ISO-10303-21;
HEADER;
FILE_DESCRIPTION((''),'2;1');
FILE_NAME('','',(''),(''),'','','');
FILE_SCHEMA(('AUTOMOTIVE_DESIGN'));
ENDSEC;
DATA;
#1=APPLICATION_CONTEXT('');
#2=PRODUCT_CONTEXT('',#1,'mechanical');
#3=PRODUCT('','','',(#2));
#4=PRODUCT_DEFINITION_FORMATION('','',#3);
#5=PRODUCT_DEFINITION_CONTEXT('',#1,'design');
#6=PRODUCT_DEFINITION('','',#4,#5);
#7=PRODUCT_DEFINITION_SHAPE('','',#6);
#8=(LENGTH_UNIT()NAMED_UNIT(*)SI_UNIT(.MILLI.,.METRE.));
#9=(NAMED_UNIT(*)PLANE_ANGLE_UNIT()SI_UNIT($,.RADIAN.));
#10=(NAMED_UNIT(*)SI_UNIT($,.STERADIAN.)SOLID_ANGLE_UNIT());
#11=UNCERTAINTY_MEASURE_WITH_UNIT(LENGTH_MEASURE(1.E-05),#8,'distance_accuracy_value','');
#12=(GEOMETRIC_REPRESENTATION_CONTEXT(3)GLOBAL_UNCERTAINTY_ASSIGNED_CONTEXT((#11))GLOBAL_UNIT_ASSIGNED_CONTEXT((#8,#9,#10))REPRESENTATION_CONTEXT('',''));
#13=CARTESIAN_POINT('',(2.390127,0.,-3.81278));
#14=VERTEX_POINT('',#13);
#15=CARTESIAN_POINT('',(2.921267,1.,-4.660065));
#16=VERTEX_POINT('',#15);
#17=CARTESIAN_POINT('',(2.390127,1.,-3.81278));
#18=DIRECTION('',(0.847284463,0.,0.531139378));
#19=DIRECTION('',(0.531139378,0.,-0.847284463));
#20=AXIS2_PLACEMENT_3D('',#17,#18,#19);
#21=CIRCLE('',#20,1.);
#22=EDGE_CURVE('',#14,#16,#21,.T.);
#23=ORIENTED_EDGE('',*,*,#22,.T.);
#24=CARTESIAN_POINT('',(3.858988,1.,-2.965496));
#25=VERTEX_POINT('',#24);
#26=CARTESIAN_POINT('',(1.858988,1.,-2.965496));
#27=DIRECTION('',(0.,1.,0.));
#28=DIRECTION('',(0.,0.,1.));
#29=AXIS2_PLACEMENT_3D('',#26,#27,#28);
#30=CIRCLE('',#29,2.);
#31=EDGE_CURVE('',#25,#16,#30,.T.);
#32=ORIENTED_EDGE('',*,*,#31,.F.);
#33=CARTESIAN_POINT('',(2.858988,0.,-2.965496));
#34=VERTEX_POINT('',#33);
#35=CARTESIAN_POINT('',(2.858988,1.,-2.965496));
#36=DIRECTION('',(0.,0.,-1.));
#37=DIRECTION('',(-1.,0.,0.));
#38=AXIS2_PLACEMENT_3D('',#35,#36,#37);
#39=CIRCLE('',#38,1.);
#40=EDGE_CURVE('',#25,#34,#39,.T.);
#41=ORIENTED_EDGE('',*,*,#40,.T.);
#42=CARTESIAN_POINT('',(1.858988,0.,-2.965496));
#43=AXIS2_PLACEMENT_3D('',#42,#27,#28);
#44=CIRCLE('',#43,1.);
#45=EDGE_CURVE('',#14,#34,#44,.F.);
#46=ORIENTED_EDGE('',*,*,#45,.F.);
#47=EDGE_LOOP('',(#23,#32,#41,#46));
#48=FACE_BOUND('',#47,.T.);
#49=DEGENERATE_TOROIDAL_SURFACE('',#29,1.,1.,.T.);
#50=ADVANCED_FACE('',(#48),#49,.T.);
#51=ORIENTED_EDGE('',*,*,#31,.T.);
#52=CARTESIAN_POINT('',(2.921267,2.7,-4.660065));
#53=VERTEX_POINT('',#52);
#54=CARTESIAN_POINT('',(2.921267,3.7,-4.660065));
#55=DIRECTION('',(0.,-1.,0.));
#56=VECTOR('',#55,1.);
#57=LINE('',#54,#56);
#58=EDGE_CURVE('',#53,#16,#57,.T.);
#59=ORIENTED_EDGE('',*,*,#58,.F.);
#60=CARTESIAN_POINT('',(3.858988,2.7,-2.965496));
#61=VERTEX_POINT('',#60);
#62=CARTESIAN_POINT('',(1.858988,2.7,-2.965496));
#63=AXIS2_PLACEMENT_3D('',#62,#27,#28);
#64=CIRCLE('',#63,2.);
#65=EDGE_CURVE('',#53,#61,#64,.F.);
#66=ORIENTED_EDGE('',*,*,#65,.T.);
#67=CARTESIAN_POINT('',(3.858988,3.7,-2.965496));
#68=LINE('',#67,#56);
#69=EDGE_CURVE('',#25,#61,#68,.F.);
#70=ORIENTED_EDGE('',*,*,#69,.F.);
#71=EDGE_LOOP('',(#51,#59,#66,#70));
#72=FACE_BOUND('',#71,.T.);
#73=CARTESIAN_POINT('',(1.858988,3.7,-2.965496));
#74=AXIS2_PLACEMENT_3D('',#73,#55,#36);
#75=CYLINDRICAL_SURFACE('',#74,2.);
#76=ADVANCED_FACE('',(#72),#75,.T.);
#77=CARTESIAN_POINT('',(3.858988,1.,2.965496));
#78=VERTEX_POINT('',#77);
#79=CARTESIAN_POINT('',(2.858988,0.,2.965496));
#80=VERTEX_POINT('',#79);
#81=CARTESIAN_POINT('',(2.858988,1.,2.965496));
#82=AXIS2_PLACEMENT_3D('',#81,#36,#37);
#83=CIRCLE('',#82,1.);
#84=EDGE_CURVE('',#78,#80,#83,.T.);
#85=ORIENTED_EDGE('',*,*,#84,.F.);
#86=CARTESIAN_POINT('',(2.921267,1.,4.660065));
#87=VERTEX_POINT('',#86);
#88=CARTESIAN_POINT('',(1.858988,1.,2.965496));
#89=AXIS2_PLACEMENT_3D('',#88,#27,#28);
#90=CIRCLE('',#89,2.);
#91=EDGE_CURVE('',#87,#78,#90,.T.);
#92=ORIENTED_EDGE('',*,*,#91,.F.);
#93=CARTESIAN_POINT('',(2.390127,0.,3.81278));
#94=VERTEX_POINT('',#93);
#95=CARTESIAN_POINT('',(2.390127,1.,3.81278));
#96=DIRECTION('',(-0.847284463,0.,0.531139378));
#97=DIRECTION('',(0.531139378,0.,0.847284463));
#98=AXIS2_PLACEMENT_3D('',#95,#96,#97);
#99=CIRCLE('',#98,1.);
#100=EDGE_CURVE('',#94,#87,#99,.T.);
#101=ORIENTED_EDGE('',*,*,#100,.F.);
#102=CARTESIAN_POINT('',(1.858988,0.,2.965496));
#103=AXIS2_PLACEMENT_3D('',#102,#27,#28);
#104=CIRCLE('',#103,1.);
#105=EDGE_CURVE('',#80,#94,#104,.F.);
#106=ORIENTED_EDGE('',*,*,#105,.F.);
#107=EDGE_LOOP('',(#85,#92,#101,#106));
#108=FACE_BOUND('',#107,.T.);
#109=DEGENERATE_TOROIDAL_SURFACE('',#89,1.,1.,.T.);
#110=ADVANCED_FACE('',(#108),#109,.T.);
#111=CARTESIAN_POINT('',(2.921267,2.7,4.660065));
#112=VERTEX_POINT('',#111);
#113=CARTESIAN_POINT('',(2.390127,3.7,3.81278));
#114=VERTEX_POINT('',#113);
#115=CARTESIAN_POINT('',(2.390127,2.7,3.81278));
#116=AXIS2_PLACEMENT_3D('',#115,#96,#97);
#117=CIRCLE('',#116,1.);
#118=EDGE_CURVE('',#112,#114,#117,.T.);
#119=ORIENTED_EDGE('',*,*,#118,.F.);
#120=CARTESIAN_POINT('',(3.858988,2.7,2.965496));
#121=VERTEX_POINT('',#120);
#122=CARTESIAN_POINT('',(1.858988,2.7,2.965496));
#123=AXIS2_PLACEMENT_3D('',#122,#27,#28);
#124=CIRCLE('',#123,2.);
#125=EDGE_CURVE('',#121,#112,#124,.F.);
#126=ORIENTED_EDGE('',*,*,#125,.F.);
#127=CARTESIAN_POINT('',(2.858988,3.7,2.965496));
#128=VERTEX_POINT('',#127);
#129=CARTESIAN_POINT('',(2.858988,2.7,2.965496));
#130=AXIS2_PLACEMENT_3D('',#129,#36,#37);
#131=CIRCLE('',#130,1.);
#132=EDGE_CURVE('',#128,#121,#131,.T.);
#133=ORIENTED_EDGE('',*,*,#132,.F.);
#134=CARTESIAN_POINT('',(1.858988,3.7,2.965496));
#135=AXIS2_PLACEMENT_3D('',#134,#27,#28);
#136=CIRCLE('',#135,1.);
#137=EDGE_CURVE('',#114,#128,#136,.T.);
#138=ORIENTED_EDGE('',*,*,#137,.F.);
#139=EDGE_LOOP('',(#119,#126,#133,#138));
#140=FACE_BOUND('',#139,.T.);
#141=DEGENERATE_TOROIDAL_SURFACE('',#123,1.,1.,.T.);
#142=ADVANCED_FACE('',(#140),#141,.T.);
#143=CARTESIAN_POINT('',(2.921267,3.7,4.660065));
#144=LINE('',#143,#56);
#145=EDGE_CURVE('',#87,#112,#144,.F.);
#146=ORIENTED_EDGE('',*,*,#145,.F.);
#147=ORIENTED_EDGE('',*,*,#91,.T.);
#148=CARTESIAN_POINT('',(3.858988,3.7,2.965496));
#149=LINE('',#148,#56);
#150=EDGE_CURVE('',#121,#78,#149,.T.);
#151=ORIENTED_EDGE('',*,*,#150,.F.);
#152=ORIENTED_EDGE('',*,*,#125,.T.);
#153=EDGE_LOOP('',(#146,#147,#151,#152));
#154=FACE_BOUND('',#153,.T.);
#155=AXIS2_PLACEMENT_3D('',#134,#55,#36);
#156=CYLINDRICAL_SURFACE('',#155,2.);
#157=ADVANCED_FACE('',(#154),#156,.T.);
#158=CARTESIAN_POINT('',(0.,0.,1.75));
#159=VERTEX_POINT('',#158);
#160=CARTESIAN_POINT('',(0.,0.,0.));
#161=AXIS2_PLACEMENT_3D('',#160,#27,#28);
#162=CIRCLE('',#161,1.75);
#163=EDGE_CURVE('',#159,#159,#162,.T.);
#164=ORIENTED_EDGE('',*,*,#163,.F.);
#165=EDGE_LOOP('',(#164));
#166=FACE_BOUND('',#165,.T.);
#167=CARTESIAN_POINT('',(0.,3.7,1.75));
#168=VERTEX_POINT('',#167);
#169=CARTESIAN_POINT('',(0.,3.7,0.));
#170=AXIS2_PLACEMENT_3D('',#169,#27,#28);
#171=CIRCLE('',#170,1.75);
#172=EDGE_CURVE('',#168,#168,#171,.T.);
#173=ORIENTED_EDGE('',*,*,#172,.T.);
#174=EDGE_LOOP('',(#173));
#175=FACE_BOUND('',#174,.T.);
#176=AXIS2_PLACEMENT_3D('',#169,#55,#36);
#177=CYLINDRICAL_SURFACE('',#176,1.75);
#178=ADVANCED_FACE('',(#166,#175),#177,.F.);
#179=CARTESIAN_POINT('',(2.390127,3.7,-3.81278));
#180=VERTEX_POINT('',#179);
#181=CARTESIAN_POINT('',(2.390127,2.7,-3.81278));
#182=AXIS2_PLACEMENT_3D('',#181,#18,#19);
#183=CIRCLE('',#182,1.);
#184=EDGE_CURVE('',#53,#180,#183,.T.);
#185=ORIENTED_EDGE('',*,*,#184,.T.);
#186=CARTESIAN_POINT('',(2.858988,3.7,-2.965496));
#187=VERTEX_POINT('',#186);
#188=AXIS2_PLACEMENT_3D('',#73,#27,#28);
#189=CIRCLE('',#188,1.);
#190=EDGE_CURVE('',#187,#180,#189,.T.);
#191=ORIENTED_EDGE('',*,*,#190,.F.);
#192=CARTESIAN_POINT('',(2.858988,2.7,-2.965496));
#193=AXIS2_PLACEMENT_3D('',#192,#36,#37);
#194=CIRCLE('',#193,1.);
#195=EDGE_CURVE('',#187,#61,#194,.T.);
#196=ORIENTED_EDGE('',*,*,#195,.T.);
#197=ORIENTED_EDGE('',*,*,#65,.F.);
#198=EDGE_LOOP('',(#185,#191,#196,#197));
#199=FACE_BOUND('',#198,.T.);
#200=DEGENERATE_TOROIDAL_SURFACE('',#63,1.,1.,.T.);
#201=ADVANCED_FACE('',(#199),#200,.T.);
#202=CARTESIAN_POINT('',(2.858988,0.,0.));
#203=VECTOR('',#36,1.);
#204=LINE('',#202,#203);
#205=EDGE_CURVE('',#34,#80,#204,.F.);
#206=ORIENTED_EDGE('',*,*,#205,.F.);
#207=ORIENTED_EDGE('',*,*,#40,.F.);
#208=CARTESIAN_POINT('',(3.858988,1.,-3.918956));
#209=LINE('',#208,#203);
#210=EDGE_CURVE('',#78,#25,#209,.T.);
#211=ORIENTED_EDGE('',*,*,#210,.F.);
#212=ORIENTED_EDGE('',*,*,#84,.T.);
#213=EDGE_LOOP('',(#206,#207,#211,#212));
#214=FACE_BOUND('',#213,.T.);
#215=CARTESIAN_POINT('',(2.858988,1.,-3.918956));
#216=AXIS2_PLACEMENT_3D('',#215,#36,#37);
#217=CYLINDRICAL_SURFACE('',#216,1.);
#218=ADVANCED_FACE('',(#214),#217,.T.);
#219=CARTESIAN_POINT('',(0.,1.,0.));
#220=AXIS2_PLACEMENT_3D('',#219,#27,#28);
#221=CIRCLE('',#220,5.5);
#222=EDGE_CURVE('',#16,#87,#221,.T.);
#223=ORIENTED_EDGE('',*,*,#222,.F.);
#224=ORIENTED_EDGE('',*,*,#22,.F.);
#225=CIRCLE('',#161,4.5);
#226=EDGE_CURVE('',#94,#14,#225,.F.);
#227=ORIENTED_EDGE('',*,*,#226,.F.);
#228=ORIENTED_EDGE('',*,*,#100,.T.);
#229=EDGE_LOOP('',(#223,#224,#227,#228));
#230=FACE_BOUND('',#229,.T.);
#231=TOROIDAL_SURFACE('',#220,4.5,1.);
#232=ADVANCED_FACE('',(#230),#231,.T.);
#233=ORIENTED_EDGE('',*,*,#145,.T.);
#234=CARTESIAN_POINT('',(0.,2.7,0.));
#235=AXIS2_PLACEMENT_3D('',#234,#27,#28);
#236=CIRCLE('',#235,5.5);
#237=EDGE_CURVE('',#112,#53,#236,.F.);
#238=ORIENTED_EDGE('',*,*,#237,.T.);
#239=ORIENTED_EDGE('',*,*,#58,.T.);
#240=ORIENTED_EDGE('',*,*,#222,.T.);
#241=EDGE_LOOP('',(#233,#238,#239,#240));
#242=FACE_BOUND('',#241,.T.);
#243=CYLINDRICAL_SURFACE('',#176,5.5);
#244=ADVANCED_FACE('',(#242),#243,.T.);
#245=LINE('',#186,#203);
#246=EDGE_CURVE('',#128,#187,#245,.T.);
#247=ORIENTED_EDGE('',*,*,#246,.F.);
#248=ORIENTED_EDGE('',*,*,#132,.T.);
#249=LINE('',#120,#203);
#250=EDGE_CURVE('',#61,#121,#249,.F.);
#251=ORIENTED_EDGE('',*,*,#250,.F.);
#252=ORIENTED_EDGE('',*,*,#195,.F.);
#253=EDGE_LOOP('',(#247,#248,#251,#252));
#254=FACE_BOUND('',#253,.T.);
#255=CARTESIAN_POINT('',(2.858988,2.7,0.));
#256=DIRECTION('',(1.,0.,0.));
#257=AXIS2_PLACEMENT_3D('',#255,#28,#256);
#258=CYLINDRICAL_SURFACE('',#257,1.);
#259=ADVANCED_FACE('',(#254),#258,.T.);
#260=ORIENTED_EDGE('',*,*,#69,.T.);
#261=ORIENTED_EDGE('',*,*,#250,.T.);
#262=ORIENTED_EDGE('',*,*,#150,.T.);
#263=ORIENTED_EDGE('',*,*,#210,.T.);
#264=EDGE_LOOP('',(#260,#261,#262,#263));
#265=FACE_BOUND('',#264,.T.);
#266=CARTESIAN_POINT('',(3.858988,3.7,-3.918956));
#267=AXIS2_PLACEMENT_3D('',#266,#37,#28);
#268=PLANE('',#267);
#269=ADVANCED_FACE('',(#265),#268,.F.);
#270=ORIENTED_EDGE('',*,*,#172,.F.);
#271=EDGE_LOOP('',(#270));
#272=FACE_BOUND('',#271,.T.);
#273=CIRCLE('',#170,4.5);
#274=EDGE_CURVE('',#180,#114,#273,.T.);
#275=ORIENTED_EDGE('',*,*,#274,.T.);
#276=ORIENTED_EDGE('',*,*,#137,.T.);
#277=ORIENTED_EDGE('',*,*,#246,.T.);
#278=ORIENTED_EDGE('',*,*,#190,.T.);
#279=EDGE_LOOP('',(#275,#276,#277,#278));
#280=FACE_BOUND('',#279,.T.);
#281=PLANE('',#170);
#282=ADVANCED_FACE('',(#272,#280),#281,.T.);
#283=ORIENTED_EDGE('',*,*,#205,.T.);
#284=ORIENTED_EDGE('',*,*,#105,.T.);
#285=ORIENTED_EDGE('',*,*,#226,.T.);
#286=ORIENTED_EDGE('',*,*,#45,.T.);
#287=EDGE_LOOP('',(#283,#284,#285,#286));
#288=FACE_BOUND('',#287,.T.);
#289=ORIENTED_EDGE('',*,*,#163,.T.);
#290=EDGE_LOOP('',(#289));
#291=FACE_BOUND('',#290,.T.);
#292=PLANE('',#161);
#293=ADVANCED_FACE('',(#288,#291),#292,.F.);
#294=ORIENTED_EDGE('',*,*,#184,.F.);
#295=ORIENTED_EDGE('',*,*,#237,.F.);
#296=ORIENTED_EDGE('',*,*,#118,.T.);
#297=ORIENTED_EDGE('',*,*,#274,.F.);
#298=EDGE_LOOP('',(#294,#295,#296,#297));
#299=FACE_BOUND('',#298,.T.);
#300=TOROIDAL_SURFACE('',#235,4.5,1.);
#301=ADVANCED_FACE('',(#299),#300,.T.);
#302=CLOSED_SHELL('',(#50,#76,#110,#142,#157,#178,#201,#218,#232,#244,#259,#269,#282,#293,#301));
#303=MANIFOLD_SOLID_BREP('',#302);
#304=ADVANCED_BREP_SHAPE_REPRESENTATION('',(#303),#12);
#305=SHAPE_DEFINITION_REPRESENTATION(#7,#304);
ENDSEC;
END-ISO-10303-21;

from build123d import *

# Parameters (mm, degrees)
CROQUIS1_R              = 1.75
SALIENTE_EXTRUIR1_DEPTH = 3.7
REDONDEO1_R             = 2
REDONDEO2_R             = 1


with BuildPart() as part:
    # Croquis1 → Saliente-Extruir1 (new body)
    with BuildSketch(Plane(origin=(0, 0, 0), x_dir=(1, 0, 0), z_dir=(0, 1, 0))):
        with BuildLine():
            Line((3.858987824, 3.918955597), (3.858987824, -3.918955597))
            ThreePointArc((3.858987824, -3.918955597), (-5.5, 0), (3.858987824, 3.918955597))
        make_face()
        with Locations(Location((0, 0, 0), (0, 0, 270))):
            Circle(CROQUIS1_R, mode=Mode.SUBTRACT)
    extrude(amount=SALIENTE_EXTRUIR1_DEPTH)

    # Redondeo1
    redondeo1_edges = [part.edges().sort_by_distance(p)[0] for p in [
        (3.858987824, 1.85, -3.918955597),
        (3.858987824, 1.85, 3.918955597),
    ]]
    fillet(redondeo1_edges, radius=REDONDEO1_R)

    # Redondeo2
    redondeo2_edges = [part.edges().sort_by_distance(p)[0] for p in [
        (3.858987824, 0, 0),
        (3.858987824, 3.7, 0),
        (-5.5, 0, 0),
        (3.60892461, 0, -3.933855699),
        (3.60892461, 0, 3.933855699),
        (-5.5, 3.7, 0),
        (3.60892461, 3.7, -3.933855699),
        (3.60892461, 3.7, 3.933855699),
    ]]
    fillet(redondeo2_edges, radius=REDONDEO2_R)


solid = part.part
